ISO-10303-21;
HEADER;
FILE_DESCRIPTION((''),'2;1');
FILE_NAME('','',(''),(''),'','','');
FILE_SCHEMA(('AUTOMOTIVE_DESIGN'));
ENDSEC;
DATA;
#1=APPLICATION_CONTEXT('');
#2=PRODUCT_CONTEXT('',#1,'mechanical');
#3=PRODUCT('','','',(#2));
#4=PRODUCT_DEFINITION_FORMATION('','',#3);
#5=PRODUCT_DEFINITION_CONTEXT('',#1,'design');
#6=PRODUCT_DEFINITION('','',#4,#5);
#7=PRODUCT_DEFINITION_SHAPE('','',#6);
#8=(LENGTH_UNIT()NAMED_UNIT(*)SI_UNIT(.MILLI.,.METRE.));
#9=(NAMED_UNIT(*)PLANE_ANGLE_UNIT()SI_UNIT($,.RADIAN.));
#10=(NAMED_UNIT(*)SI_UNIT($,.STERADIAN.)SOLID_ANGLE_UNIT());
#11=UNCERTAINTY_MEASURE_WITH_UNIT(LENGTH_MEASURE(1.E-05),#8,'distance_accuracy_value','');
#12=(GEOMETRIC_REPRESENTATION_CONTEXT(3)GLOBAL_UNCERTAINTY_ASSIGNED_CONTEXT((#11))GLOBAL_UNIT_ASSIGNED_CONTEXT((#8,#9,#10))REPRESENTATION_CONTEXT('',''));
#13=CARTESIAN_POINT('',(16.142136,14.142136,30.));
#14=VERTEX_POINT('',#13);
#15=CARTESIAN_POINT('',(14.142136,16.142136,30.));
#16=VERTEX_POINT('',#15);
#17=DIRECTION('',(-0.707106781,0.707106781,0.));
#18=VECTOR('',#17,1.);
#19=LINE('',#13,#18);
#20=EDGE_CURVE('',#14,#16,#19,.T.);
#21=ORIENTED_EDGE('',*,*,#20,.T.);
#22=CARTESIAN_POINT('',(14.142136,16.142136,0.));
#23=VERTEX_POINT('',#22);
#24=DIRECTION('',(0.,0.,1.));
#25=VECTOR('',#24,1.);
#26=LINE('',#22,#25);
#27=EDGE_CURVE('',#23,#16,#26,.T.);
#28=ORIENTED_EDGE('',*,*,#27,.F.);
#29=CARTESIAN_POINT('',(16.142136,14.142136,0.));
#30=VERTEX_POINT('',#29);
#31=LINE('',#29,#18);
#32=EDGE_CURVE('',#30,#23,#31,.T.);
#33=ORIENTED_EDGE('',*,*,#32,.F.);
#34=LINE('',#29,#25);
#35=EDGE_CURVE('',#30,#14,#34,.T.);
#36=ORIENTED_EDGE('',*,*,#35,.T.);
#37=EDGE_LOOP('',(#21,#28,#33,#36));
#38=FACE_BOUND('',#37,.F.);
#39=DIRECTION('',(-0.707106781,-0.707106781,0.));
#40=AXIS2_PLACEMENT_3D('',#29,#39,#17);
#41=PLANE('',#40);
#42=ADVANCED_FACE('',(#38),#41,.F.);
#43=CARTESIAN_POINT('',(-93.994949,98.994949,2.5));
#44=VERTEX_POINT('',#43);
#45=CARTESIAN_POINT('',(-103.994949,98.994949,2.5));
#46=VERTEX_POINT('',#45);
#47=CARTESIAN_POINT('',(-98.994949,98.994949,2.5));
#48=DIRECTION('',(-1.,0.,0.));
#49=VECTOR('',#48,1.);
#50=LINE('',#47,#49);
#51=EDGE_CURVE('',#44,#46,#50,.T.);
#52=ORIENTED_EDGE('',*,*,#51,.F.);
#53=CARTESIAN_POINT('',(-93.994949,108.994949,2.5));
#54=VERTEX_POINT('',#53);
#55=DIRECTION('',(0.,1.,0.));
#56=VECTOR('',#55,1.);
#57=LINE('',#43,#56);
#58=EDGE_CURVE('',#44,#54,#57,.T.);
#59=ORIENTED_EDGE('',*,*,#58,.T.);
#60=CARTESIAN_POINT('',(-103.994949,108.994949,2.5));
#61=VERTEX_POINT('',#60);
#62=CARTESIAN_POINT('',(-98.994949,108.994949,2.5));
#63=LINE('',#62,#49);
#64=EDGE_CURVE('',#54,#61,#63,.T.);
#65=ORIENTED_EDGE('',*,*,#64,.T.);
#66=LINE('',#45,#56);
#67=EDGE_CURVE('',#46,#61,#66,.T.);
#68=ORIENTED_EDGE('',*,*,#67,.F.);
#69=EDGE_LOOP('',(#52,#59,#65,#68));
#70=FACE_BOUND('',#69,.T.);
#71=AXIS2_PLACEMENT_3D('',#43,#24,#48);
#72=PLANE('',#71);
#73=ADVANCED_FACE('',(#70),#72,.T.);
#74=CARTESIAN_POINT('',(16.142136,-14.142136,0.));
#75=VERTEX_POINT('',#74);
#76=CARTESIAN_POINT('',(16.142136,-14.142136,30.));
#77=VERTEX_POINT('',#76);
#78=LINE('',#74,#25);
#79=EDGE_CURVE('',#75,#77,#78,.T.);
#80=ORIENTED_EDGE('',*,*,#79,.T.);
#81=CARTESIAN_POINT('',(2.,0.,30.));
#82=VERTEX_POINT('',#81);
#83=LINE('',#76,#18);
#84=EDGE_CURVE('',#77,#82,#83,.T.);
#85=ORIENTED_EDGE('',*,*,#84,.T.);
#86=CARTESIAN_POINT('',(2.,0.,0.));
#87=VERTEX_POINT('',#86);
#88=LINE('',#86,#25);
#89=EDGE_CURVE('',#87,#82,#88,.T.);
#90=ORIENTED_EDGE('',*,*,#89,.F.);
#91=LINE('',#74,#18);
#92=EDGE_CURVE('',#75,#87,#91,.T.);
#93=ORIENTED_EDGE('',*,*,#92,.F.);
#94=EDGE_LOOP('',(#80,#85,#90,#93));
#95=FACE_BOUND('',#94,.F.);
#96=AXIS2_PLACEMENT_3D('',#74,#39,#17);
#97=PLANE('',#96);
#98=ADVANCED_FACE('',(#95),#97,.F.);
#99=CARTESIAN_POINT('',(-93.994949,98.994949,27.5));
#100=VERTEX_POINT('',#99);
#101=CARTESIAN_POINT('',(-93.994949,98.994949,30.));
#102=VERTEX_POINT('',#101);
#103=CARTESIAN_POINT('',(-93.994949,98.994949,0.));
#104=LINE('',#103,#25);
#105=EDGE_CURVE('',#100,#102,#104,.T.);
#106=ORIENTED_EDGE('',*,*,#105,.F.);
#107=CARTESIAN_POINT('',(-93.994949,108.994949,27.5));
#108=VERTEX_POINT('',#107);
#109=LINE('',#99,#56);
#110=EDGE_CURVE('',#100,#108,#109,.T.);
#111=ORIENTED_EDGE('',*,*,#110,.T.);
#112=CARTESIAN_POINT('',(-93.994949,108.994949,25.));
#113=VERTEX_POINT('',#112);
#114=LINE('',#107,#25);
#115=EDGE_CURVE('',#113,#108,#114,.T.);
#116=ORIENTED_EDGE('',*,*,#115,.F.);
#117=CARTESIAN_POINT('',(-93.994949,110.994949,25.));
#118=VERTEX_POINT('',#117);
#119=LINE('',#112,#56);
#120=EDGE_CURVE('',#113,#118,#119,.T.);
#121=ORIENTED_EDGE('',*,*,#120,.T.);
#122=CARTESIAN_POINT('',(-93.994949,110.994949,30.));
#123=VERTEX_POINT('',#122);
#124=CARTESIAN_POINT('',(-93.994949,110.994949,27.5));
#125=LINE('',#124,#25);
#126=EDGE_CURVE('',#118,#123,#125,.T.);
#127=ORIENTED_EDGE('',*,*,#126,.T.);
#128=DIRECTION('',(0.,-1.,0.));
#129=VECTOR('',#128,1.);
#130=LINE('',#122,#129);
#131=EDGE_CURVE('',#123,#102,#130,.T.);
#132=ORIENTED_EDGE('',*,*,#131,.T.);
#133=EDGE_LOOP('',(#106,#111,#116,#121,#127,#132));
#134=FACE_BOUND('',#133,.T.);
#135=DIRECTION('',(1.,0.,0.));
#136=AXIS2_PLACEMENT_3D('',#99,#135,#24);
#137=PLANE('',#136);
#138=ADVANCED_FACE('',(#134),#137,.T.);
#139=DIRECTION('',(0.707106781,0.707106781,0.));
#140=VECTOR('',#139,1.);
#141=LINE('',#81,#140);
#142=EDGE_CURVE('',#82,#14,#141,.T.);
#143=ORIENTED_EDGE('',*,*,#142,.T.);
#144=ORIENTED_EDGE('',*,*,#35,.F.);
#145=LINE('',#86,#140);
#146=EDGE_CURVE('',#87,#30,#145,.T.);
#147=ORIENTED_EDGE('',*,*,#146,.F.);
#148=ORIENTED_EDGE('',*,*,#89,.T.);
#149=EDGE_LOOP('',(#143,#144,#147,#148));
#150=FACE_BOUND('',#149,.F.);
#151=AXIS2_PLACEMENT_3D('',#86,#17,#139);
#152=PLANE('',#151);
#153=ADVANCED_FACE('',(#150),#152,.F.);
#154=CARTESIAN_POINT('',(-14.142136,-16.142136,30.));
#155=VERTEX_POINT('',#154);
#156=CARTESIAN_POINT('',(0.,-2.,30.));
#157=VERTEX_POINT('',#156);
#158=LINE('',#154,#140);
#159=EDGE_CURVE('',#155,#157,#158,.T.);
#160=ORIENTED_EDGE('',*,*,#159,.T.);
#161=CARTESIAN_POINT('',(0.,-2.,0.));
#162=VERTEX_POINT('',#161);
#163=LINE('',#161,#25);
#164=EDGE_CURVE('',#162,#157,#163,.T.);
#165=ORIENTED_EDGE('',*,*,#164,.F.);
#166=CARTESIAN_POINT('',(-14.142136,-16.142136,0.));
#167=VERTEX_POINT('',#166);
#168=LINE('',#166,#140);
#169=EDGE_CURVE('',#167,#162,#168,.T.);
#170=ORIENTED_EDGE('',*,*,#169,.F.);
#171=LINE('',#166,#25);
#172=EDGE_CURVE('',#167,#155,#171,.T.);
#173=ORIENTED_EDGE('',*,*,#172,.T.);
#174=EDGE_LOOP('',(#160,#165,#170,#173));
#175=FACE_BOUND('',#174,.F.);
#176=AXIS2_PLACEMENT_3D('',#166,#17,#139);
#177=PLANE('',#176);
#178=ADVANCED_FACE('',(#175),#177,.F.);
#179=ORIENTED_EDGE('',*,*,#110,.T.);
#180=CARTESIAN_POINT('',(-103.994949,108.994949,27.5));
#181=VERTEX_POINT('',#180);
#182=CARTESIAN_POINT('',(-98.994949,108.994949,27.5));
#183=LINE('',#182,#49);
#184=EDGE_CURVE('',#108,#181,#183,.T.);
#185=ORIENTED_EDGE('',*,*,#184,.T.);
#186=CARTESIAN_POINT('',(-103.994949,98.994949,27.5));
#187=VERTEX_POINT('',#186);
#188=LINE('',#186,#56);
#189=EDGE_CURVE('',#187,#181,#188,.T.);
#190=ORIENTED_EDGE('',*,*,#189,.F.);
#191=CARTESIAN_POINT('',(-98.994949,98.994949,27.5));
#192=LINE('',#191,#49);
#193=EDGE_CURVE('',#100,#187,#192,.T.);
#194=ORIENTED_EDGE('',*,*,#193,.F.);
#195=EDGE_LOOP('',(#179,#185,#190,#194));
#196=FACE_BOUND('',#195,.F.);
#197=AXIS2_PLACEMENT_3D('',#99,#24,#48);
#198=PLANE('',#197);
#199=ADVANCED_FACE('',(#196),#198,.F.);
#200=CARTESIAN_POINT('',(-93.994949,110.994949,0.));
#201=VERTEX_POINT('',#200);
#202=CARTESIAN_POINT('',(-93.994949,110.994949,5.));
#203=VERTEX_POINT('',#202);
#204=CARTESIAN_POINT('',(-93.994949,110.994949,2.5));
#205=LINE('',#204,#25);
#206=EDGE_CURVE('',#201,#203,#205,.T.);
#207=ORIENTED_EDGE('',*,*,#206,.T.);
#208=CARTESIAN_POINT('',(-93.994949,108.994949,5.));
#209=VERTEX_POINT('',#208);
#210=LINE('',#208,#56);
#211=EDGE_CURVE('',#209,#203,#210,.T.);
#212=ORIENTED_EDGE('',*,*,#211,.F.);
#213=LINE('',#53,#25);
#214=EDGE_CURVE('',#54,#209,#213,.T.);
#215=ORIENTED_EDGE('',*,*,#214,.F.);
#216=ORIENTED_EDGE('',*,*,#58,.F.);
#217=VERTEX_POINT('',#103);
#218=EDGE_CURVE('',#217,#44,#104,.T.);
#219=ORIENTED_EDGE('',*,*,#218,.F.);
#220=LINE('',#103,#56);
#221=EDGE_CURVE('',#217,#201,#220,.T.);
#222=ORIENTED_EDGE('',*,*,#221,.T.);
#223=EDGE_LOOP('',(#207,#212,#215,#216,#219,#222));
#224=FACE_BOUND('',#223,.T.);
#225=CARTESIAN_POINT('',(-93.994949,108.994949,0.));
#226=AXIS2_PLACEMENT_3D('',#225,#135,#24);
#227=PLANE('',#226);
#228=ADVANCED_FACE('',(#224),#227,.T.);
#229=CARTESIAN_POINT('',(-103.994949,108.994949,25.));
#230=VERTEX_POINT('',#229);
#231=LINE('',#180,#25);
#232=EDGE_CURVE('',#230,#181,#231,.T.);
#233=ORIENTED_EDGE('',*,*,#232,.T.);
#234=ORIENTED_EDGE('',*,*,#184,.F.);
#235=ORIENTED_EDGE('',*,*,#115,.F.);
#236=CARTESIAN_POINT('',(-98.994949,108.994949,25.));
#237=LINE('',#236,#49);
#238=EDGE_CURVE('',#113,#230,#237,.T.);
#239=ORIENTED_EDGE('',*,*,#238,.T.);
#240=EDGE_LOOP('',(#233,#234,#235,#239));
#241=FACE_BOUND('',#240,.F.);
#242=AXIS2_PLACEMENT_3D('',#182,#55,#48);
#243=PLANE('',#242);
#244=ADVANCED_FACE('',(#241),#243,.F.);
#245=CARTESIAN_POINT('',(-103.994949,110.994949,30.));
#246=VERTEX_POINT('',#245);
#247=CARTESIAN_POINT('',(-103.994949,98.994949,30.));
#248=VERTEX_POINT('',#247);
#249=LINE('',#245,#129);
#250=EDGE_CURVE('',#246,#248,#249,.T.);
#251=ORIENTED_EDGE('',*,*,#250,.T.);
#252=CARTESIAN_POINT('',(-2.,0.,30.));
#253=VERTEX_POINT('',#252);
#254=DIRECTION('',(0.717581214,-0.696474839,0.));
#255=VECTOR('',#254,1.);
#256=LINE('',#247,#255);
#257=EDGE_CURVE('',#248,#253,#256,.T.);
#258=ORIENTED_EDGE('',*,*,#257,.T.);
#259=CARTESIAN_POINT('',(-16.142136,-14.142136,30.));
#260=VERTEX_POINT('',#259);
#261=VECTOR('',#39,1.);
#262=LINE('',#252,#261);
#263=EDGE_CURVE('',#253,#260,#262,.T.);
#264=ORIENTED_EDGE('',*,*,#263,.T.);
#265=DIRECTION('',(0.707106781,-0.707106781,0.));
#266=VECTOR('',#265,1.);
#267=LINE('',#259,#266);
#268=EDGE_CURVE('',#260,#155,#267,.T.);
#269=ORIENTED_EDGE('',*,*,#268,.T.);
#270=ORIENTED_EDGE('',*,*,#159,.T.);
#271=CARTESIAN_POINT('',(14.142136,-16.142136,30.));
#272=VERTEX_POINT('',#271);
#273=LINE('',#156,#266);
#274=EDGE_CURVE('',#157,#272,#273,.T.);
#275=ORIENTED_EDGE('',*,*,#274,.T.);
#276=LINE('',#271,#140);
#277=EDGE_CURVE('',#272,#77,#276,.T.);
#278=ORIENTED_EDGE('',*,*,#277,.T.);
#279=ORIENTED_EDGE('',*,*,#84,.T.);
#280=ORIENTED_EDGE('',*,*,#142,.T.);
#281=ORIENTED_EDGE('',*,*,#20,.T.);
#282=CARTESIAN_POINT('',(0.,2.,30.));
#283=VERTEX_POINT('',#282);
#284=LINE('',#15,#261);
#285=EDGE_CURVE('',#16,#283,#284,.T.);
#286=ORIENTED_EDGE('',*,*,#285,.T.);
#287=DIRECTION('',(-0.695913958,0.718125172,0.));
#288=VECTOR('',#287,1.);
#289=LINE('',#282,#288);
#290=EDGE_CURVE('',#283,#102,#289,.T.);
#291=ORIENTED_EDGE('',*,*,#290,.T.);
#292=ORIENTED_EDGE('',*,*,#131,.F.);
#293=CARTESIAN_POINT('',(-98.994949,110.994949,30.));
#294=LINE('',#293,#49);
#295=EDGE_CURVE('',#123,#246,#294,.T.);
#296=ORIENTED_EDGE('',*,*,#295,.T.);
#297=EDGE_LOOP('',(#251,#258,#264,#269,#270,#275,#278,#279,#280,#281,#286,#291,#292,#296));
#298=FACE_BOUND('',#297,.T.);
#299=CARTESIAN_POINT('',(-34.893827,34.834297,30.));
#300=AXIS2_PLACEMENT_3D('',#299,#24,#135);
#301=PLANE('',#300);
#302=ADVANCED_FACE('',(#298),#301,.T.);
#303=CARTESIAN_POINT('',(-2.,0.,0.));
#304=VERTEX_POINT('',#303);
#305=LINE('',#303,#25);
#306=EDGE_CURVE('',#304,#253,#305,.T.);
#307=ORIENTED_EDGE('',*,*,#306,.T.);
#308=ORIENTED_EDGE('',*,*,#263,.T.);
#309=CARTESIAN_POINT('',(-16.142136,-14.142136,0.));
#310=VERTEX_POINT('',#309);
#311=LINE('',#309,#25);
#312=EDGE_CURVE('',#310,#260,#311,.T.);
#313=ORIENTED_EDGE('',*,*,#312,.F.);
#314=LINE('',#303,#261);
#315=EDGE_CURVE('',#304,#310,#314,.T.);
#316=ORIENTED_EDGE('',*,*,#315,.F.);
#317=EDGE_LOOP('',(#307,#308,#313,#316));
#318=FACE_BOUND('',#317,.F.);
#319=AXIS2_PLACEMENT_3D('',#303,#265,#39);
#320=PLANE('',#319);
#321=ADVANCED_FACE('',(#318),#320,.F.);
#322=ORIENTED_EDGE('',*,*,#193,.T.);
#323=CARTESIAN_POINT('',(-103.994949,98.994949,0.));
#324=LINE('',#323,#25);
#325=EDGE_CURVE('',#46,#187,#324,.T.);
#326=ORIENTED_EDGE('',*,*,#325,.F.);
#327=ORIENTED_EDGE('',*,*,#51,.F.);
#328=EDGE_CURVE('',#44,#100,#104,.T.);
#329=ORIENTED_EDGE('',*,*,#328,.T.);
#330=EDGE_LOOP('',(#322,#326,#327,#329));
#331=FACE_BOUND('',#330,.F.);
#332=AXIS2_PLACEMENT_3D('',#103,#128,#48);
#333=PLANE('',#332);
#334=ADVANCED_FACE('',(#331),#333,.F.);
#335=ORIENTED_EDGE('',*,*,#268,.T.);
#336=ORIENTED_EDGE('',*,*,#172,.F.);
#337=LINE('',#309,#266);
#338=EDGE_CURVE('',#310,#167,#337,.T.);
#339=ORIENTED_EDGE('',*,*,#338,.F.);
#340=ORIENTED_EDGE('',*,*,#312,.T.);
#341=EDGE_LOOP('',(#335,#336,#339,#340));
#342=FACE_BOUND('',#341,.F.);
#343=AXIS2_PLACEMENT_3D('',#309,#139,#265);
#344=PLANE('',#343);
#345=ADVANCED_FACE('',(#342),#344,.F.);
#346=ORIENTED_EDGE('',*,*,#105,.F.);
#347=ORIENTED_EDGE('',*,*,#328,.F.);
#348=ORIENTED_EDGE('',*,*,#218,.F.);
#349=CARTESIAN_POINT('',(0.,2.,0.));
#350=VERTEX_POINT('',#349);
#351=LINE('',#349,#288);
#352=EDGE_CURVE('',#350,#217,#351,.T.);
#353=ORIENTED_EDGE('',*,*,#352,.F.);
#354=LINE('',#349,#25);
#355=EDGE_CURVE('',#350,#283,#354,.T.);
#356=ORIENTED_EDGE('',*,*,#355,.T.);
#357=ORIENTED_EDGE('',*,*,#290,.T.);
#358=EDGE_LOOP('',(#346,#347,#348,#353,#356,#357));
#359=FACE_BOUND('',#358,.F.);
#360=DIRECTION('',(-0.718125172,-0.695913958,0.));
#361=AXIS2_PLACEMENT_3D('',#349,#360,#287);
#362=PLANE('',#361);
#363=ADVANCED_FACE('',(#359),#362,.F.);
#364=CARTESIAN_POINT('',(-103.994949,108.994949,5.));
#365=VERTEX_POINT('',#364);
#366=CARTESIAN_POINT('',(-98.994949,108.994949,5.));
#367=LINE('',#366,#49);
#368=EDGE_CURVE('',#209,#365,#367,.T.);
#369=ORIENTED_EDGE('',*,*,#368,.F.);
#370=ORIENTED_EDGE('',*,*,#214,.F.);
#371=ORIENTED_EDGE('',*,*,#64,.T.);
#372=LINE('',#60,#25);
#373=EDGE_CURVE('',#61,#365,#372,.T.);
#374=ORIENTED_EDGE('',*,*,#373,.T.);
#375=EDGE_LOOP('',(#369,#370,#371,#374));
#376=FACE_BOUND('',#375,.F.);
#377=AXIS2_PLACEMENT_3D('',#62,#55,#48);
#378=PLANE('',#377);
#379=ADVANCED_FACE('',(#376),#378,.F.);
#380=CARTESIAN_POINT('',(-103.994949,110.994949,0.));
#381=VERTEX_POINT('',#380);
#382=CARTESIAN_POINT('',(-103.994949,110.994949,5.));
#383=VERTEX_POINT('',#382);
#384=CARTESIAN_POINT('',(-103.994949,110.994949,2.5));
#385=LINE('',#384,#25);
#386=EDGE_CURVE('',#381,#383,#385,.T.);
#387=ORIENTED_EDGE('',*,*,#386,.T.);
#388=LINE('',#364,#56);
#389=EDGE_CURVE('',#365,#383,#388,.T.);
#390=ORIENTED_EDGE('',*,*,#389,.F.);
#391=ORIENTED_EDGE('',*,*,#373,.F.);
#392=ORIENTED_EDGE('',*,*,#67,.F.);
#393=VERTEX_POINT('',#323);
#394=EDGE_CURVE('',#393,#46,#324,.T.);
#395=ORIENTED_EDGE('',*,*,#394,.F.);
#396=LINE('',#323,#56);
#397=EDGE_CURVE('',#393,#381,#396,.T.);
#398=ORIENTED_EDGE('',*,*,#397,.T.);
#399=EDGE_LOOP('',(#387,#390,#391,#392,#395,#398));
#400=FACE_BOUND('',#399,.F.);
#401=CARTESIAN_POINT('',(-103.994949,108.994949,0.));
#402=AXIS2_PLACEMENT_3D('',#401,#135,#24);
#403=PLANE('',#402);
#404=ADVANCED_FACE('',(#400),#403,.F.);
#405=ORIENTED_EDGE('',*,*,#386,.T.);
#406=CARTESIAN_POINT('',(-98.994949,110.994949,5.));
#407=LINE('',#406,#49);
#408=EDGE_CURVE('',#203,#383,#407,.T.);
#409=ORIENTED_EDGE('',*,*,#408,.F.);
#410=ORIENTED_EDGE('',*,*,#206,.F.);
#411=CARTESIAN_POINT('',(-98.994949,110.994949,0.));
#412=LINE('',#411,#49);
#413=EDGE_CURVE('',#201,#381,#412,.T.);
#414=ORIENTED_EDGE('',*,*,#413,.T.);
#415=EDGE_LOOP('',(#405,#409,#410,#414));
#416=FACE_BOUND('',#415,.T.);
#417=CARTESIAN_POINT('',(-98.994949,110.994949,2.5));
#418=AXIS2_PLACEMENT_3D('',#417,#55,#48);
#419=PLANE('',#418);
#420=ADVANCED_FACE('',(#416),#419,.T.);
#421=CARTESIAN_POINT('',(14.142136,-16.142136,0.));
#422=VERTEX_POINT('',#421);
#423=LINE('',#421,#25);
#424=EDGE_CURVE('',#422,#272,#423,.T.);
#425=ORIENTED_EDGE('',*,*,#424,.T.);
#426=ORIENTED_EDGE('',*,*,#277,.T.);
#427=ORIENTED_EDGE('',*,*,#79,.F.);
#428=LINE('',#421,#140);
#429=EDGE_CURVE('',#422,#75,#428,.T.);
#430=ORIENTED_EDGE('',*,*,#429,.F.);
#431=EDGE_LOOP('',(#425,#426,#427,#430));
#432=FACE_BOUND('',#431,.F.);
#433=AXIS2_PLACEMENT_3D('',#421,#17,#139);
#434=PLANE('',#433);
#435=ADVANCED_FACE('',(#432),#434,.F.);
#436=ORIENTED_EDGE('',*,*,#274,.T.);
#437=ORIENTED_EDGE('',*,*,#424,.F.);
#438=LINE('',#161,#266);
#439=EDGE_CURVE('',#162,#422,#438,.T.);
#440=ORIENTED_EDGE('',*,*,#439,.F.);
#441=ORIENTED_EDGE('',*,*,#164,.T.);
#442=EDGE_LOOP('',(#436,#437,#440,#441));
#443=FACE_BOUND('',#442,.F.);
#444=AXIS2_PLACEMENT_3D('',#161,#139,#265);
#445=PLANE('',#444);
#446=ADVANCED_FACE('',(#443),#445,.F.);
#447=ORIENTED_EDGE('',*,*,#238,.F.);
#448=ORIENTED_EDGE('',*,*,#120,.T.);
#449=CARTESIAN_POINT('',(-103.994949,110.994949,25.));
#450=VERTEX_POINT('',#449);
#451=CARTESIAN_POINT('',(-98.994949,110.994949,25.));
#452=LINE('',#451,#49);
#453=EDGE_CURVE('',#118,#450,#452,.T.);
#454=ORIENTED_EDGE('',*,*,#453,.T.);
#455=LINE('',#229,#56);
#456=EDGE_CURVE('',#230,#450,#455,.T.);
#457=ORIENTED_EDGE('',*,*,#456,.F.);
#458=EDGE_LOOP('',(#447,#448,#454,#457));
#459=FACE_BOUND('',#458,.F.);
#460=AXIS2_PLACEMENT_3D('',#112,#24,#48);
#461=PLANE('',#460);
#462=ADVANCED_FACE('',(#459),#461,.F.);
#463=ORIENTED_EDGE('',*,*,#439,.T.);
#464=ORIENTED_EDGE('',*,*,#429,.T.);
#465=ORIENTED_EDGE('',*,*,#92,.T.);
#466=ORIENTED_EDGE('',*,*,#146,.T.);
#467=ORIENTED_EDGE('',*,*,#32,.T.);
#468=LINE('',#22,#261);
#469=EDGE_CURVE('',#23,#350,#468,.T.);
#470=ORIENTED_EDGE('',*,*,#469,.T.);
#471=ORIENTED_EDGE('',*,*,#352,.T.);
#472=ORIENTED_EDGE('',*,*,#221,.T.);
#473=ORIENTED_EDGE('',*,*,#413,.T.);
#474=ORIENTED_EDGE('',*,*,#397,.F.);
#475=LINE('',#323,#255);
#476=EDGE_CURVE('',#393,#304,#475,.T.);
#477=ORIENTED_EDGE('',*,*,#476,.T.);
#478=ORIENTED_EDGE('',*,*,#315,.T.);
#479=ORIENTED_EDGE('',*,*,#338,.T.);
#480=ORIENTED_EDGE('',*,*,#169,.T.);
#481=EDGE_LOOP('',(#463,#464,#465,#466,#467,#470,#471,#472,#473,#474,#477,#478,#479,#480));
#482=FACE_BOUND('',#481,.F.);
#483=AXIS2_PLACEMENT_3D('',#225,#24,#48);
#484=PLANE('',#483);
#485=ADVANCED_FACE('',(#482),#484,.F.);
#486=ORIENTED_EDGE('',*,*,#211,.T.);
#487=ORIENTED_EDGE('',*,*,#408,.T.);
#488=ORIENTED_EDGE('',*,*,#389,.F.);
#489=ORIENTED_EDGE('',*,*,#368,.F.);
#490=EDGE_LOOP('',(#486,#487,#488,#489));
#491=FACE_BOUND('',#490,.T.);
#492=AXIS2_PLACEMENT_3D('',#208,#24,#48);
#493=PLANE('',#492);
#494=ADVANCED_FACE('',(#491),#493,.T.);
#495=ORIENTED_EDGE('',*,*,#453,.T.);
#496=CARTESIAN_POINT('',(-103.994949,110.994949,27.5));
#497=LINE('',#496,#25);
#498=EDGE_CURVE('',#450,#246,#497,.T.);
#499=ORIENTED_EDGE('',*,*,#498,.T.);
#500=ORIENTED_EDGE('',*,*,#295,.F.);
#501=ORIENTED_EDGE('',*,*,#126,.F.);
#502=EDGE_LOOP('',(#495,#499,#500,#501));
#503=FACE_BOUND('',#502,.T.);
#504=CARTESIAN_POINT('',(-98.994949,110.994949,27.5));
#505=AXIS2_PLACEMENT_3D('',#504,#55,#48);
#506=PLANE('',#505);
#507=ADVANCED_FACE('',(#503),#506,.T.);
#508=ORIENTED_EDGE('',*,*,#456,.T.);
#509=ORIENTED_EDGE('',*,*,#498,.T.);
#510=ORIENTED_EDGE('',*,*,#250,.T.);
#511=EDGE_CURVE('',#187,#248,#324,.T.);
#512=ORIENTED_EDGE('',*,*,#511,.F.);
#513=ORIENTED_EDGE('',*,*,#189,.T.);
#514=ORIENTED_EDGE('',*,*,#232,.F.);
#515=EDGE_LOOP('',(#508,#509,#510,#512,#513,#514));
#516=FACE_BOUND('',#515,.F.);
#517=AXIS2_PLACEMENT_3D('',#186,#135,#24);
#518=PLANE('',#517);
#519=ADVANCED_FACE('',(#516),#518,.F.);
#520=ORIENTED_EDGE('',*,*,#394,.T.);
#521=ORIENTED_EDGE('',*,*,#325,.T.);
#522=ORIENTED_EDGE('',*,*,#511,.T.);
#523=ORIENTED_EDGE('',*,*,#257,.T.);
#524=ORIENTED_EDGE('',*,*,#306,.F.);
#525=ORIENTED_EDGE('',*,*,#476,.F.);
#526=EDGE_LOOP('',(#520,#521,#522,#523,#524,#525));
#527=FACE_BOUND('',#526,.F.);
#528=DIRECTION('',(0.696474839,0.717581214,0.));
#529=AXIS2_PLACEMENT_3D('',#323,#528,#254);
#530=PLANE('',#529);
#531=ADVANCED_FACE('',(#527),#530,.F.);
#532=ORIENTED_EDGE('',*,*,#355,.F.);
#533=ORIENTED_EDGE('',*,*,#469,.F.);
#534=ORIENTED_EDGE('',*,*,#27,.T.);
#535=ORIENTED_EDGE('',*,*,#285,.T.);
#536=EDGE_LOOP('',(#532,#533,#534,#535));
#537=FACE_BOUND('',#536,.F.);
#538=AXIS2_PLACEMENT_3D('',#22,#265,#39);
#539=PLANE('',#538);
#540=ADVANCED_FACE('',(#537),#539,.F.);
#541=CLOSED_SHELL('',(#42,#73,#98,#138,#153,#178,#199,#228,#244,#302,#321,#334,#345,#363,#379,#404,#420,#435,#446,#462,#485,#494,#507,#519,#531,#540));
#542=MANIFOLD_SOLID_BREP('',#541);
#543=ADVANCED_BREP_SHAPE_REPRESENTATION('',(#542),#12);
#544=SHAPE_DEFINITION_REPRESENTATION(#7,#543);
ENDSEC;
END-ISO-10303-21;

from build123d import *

# Parameters (mm, degrees)
F1_DEPTH = 30
F2_W     = 10
F2_H     = 2.5
F3_DEPTH = 10
F4_W     = 10
F4_H     = 5
F5_W     = 10
F5_H     = 5
F6_DEPTH = 2


with BuildPart() as f1:
    # F0 (on Top) → F1 (new body)
    with BuildSketch(Plane.XY):
        Polygon((-93.994949, 98.994949), (-103.994949, 98.994949), (-2, 0), (-16.142136, -14.142136), (-14.142136, -16.142136), (0, -2), (14.142136, -16.142136), (16.142136, -14.142136), (2, 0), (16.142136, 14.142136), (14.142136, 16.142136), (0, 2), align=None)
    extrude(amount=F1_DEPTH)

    # F2 (on face) → F3 (join)
    with BuildSketch(Plane(origin=(0, 98.994949, 0), x_dir=(-1, 0, 0), z_dir=(0, 1, 0))):
        with Locations((98.994949, 1.25)):
            Rectangle(F2_W, F2_H)
        with Locations((98.994949, 28.75)):
            Rectangle(F2_W, F2_H)
    extrude(amount=F3_DEPTH)

    # F4 (on face) + F5 (on face) → F6 (join)
    with BuildSketch(Plane(origin=(0, 108.994949, 0), x_dir=(-1, 0, 0), z_dir=(0, 1, 0))):
        with Locations((98.994949, 2.5)):
            Rectangle(F4_W, F4_H)
    with BuildSketch(Plane(origin=(0, 108.994949, 0), x_dir=(-1, 0, 0), z_dir=(0, 1, 0))):
        with Locations((98.994949, 27.5)):
            Rectangle(F5_W, F5_H)
    extrude(amount=F6_DEPTH)


solid = f1.part
